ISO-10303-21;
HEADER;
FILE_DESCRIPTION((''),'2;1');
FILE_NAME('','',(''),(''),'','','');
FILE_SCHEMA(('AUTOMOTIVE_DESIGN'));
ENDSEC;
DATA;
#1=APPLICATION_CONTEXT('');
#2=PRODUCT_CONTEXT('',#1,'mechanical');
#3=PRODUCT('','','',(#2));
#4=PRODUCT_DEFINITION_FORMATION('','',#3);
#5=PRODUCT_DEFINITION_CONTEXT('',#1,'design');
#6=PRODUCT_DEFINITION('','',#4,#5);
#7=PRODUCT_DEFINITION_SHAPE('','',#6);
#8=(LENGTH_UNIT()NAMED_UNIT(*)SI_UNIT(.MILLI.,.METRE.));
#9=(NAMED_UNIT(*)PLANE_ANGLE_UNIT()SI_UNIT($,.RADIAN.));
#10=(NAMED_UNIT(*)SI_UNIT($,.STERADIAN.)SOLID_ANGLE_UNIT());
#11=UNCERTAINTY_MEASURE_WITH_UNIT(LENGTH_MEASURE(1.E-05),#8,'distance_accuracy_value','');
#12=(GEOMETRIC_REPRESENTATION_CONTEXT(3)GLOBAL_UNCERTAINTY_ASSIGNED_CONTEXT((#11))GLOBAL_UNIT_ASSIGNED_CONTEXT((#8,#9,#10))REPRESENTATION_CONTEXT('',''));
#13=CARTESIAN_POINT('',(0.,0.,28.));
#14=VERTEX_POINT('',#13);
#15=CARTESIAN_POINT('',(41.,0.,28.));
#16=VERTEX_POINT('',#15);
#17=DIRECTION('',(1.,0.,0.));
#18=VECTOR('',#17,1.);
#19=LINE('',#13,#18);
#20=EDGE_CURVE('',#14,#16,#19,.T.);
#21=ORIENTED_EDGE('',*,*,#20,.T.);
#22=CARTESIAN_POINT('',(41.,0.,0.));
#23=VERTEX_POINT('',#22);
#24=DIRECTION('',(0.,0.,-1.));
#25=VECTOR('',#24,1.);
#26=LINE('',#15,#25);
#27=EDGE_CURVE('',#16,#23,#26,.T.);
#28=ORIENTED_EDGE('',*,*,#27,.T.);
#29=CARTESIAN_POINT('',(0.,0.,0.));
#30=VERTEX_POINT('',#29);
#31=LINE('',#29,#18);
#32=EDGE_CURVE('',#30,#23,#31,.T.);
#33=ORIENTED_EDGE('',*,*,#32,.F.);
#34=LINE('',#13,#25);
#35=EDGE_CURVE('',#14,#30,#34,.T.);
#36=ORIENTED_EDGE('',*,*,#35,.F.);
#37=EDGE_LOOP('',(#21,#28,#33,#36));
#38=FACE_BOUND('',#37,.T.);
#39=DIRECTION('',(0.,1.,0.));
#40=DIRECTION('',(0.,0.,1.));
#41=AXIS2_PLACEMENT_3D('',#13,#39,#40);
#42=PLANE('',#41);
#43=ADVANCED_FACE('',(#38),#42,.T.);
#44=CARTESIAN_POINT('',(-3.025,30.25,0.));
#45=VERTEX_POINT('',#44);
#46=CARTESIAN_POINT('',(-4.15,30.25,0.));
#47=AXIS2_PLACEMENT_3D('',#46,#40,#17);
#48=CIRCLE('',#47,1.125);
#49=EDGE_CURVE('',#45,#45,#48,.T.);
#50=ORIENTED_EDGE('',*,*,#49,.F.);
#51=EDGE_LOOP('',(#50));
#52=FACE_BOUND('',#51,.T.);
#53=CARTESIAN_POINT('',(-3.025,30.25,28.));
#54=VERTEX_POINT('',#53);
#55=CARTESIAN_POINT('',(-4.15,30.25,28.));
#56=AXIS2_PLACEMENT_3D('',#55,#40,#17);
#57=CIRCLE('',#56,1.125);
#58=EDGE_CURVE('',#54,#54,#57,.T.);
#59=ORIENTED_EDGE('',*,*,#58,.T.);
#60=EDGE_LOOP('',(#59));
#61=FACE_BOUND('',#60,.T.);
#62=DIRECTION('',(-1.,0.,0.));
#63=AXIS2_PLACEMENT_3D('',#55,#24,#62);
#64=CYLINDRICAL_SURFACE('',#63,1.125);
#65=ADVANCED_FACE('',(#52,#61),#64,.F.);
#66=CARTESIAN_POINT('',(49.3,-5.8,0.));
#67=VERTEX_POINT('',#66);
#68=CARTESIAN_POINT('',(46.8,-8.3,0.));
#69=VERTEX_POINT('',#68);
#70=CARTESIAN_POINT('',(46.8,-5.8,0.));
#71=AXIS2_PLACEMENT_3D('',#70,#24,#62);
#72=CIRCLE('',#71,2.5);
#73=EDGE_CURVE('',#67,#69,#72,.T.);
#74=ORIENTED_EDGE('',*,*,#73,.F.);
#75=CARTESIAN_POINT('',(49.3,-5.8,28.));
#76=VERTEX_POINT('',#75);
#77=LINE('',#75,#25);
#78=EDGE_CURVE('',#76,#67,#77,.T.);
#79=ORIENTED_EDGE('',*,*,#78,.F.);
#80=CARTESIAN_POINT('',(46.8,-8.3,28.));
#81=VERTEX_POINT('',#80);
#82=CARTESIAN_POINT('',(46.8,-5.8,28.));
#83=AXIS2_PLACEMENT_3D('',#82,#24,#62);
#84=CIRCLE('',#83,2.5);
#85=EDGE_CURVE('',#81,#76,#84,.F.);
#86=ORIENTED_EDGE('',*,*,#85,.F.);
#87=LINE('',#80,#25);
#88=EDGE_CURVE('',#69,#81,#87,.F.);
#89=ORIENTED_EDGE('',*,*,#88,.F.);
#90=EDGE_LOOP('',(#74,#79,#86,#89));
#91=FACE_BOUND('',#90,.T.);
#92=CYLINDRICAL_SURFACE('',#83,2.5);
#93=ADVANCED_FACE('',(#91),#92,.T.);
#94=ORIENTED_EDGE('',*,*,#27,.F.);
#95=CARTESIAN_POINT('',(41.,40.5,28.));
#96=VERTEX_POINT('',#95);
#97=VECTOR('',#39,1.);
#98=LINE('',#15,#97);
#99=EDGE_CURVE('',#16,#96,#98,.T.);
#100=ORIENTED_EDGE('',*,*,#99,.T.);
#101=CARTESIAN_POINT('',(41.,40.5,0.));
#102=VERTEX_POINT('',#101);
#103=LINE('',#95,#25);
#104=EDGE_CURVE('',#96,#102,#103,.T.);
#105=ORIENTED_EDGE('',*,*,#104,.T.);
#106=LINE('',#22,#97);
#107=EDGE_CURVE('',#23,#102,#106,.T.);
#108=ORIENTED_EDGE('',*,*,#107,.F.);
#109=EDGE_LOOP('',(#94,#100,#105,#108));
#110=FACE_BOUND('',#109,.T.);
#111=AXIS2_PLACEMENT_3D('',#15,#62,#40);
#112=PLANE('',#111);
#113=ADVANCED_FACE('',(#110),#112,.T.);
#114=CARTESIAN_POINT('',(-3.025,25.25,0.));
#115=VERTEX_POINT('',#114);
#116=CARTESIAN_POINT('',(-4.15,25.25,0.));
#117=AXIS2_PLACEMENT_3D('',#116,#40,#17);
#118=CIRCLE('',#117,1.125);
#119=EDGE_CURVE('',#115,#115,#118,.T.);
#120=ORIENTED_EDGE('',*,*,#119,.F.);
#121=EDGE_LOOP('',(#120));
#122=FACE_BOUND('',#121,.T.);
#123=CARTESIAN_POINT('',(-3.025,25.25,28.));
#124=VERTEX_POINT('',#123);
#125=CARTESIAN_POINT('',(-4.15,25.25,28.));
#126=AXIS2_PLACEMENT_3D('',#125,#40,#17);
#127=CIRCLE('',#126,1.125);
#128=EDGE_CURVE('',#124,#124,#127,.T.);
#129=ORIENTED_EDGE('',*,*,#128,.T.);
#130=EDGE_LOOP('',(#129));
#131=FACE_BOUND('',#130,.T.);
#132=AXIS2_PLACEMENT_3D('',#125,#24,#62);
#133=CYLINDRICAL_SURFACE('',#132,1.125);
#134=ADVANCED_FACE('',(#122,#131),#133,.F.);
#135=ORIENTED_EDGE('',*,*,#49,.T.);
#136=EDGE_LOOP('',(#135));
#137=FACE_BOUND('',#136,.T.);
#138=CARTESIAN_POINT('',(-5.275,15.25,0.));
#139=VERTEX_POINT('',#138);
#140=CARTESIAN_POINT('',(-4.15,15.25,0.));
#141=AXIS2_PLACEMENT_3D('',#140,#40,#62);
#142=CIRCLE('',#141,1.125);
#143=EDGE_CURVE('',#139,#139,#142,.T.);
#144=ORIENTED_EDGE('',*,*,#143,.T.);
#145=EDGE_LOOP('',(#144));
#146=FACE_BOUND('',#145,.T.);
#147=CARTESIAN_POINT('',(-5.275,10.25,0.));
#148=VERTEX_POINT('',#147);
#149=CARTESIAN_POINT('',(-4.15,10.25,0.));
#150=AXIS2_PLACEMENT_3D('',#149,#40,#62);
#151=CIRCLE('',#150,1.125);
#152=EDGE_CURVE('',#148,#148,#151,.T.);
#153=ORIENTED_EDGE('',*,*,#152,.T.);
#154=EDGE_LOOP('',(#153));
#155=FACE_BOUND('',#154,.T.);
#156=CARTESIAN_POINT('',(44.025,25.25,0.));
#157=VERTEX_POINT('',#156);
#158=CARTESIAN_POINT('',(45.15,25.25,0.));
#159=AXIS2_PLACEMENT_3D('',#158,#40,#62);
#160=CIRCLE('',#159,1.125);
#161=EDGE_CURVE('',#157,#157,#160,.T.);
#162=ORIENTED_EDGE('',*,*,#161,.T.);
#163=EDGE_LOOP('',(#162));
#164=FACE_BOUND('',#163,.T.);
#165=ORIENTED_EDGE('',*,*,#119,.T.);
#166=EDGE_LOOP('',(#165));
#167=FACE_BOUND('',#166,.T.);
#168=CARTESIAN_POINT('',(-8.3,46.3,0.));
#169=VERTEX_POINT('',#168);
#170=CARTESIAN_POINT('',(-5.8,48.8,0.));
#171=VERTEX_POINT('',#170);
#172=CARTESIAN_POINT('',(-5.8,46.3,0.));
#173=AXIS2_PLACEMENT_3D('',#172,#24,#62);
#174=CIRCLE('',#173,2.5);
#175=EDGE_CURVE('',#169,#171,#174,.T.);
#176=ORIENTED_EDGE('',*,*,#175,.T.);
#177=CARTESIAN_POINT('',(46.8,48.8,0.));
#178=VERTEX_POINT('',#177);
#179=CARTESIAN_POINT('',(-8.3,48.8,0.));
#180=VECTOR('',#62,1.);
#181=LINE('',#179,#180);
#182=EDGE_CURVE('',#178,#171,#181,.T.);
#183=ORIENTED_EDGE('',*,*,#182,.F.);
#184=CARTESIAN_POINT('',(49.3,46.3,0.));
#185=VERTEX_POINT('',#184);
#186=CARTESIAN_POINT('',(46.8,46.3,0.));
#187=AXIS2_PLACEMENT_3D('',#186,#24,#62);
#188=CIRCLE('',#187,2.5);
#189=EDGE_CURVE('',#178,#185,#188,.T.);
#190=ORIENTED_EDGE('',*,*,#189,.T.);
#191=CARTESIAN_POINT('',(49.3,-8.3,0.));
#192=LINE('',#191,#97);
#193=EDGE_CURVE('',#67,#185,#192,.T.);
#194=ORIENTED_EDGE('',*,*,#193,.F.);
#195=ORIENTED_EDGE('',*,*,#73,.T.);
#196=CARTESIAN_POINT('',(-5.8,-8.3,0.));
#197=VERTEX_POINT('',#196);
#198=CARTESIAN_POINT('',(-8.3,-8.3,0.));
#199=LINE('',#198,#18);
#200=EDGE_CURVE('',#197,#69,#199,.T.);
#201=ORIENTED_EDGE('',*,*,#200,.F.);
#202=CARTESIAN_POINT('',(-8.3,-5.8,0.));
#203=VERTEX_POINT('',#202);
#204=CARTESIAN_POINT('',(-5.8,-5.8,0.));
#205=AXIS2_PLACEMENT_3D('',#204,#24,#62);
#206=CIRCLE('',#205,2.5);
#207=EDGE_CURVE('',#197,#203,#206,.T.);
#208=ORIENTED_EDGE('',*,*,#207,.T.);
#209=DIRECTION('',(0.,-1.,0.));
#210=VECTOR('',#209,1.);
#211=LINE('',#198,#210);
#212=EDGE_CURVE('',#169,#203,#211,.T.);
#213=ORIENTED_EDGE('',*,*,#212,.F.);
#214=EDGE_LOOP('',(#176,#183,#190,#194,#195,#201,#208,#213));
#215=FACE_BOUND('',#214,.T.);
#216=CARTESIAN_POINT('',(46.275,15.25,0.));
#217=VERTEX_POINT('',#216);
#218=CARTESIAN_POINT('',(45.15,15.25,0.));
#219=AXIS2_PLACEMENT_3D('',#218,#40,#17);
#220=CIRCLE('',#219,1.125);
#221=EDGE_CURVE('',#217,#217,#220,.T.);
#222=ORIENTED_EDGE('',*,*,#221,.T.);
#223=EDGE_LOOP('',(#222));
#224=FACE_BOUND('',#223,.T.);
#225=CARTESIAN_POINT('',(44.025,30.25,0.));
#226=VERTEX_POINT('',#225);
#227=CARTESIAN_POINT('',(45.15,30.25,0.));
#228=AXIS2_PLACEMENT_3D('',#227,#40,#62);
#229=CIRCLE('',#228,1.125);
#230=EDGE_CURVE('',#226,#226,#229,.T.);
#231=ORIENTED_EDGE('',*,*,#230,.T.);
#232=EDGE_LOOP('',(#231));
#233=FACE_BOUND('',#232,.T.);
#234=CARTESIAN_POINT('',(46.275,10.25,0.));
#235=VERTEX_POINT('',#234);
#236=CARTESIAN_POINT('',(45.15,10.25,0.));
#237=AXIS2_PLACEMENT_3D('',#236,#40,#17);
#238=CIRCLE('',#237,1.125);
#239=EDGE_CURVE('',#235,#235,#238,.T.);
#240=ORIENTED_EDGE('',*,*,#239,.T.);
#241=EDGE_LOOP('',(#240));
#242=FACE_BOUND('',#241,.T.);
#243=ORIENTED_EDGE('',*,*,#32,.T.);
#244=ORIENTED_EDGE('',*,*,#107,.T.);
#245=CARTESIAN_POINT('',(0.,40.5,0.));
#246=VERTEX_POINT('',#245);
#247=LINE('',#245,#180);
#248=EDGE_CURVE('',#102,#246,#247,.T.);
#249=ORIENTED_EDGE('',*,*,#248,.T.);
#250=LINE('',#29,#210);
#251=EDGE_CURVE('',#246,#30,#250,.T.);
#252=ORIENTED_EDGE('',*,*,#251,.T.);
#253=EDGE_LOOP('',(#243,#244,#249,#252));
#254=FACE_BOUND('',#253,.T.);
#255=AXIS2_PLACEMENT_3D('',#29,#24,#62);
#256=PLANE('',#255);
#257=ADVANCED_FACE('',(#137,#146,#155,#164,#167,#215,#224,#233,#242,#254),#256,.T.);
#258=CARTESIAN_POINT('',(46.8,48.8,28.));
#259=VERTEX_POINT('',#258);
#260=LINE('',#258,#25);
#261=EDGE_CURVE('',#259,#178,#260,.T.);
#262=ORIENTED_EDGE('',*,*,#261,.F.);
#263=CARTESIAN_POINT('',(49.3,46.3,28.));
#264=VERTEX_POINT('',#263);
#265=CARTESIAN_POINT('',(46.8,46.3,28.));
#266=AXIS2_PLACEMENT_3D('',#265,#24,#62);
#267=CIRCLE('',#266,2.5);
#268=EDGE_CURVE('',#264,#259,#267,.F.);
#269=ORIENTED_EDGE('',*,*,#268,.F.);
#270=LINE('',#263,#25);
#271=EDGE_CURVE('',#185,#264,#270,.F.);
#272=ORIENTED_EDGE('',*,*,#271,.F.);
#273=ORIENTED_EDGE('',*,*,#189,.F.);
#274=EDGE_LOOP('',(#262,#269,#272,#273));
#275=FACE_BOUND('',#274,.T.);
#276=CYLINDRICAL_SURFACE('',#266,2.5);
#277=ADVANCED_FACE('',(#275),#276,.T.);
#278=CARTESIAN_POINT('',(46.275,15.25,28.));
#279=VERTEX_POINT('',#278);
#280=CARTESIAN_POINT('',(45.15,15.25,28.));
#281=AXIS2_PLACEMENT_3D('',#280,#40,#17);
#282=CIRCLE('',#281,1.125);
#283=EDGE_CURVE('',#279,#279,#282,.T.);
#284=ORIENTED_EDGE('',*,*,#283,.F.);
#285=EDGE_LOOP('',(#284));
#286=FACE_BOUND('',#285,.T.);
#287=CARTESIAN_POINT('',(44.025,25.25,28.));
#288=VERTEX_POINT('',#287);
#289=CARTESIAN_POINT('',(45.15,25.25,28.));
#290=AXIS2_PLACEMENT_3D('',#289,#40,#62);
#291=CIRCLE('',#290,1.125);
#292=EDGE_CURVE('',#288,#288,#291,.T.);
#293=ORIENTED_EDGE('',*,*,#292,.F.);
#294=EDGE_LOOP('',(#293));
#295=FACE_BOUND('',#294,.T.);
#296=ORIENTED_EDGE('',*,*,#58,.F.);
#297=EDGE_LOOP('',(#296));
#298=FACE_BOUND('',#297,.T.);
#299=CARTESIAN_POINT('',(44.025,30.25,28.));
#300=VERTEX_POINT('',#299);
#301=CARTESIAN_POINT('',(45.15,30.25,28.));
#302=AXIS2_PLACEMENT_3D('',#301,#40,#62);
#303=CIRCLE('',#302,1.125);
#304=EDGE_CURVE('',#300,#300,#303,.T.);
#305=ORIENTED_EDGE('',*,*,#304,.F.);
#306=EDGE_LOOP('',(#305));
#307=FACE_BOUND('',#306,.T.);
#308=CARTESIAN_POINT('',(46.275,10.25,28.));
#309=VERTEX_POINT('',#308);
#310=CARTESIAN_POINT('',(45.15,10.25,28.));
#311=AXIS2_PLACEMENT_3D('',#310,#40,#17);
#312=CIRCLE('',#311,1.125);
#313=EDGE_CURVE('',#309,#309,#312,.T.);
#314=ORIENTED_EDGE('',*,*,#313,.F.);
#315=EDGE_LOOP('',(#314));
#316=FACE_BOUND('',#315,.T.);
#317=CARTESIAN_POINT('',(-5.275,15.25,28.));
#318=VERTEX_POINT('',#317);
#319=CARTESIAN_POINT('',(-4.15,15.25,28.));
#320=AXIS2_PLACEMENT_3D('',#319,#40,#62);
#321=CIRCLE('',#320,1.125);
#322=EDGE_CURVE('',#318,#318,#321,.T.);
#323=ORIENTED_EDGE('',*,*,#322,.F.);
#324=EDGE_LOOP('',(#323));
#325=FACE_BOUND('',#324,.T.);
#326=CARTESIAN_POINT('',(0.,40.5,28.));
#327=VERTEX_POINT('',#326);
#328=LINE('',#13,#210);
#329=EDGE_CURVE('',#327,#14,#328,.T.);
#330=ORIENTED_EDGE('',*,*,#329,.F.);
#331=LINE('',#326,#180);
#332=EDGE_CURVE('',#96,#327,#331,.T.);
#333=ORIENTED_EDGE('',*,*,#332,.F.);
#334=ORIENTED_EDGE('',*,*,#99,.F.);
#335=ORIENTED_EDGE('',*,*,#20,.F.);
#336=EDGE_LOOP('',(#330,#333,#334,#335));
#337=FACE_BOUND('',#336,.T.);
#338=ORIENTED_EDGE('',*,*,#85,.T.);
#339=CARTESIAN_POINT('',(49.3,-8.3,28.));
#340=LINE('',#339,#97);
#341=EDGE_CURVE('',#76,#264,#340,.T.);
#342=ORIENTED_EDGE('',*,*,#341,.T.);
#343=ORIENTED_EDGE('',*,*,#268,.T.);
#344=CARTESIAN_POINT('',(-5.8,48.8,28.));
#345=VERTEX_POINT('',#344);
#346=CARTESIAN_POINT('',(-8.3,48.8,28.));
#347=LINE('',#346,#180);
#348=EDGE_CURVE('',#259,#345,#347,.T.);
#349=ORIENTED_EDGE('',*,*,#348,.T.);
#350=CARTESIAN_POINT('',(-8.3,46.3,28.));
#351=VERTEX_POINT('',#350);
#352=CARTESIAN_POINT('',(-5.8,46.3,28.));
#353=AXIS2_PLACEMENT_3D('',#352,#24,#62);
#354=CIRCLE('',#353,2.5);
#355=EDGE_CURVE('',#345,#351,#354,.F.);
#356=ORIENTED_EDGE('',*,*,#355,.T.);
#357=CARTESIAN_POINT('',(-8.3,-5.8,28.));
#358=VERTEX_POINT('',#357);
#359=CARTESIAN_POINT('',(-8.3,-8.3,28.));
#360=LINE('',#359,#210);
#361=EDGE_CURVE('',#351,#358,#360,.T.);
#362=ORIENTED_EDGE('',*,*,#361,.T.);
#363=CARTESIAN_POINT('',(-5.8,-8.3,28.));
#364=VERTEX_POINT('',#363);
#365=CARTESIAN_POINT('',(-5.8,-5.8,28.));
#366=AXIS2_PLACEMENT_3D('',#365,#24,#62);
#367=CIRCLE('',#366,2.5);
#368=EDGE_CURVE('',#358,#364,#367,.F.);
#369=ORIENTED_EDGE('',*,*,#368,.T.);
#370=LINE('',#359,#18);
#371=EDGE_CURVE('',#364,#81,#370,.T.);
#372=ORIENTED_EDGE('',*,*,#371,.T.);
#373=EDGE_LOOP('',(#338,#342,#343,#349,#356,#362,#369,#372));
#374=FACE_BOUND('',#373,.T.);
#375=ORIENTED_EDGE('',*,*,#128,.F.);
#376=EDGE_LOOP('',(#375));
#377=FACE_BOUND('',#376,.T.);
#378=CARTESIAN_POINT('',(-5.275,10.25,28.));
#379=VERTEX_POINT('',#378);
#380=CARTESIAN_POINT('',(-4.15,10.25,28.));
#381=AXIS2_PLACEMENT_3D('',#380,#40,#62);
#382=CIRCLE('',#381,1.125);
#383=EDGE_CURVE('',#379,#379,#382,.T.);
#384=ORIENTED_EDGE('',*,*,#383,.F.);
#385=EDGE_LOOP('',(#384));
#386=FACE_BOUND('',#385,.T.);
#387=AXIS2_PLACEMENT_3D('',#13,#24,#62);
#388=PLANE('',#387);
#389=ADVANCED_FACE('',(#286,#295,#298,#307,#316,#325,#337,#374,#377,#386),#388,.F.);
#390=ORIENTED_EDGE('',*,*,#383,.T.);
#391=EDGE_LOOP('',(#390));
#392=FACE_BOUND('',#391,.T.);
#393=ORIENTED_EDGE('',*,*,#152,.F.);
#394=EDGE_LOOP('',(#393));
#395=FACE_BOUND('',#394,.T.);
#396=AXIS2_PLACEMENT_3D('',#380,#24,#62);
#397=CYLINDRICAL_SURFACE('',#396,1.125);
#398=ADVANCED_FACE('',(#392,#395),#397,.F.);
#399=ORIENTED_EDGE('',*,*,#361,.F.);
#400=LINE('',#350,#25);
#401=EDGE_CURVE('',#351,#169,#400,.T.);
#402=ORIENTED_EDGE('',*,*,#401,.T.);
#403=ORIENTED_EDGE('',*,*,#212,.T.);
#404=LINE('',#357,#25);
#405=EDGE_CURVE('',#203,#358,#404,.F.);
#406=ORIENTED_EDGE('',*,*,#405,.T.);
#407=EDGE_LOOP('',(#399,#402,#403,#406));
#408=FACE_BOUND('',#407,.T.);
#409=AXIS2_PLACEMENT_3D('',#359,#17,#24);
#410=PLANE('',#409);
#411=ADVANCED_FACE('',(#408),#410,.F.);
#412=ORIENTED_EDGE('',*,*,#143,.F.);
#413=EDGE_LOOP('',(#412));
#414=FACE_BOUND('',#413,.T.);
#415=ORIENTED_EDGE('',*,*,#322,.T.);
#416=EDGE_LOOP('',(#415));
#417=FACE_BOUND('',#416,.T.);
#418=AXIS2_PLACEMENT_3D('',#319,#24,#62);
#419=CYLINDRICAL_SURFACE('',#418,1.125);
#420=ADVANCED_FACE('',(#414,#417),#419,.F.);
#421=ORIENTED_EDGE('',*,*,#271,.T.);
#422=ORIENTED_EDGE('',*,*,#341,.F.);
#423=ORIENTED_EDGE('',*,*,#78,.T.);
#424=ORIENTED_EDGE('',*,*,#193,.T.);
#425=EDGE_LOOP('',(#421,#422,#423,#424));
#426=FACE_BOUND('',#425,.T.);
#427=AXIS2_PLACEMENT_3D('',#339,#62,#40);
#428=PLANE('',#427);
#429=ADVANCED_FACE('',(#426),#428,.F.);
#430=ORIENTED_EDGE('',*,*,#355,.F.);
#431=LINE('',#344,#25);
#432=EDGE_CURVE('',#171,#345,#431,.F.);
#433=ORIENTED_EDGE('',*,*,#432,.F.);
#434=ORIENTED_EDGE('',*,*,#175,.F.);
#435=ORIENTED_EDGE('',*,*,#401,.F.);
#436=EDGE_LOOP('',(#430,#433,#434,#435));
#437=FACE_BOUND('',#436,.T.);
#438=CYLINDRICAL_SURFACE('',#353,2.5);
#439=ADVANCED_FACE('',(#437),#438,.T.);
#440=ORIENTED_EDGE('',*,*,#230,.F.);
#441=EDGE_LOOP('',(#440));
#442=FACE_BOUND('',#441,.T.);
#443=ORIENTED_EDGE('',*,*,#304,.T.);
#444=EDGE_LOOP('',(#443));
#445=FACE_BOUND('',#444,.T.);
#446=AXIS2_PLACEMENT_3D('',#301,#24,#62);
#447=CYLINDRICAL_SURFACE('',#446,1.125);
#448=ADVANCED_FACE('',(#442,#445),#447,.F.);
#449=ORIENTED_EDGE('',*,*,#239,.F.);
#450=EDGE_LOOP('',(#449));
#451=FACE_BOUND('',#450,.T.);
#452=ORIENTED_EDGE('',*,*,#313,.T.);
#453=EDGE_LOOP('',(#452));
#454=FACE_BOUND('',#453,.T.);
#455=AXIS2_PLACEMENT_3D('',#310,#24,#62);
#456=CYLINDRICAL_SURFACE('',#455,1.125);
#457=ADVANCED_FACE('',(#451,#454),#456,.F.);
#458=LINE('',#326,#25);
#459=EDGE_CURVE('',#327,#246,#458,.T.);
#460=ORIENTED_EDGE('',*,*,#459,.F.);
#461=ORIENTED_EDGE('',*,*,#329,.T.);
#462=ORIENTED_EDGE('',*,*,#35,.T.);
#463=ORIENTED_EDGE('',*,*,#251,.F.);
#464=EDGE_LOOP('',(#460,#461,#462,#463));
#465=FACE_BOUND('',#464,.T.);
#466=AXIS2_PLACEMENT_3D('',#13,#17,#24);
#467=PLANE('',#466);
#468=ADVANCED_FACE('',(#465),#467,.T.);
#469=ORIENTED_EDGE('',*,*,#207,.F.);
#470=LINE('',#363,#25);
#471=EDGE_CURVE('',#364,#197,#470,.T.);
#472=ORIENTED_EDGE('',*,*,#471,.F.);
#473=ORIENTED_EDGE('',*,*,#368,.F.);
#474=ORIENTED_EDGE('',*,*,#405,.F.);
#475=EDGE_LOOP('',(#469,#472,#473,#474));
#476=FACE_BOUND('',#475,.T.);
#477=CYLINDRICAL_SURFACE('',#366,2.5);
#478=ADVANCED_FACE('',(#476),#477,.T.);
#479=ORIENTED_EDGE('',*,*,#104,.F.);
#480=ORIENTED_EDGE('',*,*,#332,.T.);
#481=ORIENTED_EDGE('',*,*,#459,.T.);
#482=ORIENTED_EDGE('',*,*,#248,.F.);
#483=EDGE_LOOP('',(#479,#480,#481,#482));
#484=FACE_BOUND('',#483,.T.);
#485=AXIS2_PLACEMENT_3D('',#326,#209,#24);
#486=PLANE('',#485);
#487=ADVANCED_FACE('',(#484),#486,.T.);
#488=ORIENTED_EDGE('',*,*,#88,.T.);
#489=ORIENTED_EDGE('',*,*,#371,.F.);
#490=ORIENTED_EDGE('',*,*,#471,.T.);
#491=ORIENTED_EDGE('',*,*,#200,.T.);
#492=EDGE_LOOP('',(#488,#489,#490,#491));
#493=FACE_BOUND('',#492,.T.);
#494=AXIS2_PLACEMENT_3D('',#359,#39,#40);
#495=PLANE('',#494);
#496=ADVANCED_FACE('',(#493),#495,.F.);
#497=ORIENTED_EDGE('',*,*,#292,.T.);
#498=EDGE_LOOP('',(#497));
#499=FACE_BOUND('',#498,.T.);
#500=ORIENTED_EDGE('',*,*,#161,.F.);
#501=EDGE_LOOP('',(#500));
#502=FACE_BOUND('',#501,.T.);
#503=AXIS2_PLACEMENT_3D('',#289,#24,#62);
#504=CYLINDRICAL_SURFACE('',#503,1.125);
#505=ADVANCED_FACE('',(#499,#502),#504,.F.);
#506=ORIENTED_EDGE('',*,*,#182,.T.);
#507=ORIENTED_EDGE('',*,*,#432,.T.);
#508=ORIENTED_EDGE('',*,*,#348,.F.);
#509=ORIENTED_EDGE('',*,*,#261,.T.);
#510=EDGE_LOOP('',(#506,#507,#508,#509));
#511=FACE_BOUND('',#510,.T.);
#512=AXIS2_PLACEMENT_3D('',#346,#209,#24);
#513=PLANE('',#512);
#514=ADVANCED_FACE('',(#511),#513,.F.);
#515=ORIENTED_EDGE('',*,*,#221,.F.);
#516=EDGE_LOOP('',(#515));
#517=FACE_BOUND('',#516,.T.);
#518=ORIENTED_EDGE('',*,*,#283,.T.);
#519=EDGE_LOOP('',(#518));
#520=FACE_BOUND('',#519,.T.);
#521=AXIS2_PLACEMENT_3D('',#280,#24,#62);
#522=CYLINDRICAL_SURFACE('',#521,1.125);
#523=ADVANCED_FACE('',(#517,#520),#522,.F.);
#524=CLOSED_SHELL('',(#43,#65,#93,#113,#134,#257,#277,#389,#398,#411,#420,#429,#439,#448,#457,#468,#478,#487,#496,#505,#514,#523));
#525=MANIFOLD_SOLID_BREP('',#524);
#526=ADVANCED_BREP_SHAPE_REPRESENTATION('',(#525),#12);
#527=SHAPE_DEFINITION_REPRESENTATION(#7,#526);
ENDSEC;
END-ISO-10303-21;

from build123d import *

# Parameters (mm, degrees)
SKETCH1_W           = 57.6
SKETCH1_H           = 57.1
SKETCH1_R           = 1.125
SKETCH1_W_2         = 41
SKETCH1_H_2         = 40.5
BOSS_EXTRUDE1_DEPTH = 28
FILLET1_R           = 2.5


with BuildPart() as part:
    # Sketch1 → Boss-Extrude1 (new body)
    with BuildSketch(Plane.XY):
        with Locations((20.5, 20.25)):
            Rectangle(SKETCH1_W, SKETCH1_H)
        with Locations((-4.15, 25.25)):
            Circle(SKETCH1_R, mode=Mode.SUBTRACT)
        with Locations((-4.15, 30.25)):
            Circle(SKETCH1_R, mode=Mode.SUBTRACT)
        with Locations(Location((-4.15, 10.25, 0), (0, 0, 180))):
            Circle(SKETCH1_R, mode=Mode.SUBTRACT)
        with Locations(Location((-4.15, 15.25, 0), (0, 0, 180))):
            Circle(SKETCH1_R, mode=Mode.SUBTRACT)
        with Locations((45.15, 15.25)):
            Circle(SKETCH1_R, mode=Mode.SUBTRACT)
        with Locations((45.15, 10.25)):
            Circle(SKETCH1_R, mode=Mode.SUBTRACT)
        with Locations(Location((45.15, 30.25, 0), (0, 0, 180))):
            Circle(SKETCH1_R, mode=Mode.SUBTRACT)
        with Locations(Location((45.15, 25.25, 0), (0, 0, 180))):
            Circle(SKETCH1_R, mode=Mode.SUBTRACT)
        with Locations((20.5, 20.25)):
            Rectangle(SKETCH1_W_2, SKETCH1_H_2, mode=Mode.SUBTRACT)
    extrude(amount=BOSS_EXTRUDE1_DEPTH)

    # Fillet1
    fillet1_edges = [part.edges().sort_by_distance(p)[0] for p in [
        (-8.3, 48.8, 14),
        (49.3, 48.8, 14),
        (49.3, -8.3, 14),
        (-8.3, -8.3, 14),
    ]]
    fillet(fillet1_edges, radius=FILLET1_R)


solid = part.part
